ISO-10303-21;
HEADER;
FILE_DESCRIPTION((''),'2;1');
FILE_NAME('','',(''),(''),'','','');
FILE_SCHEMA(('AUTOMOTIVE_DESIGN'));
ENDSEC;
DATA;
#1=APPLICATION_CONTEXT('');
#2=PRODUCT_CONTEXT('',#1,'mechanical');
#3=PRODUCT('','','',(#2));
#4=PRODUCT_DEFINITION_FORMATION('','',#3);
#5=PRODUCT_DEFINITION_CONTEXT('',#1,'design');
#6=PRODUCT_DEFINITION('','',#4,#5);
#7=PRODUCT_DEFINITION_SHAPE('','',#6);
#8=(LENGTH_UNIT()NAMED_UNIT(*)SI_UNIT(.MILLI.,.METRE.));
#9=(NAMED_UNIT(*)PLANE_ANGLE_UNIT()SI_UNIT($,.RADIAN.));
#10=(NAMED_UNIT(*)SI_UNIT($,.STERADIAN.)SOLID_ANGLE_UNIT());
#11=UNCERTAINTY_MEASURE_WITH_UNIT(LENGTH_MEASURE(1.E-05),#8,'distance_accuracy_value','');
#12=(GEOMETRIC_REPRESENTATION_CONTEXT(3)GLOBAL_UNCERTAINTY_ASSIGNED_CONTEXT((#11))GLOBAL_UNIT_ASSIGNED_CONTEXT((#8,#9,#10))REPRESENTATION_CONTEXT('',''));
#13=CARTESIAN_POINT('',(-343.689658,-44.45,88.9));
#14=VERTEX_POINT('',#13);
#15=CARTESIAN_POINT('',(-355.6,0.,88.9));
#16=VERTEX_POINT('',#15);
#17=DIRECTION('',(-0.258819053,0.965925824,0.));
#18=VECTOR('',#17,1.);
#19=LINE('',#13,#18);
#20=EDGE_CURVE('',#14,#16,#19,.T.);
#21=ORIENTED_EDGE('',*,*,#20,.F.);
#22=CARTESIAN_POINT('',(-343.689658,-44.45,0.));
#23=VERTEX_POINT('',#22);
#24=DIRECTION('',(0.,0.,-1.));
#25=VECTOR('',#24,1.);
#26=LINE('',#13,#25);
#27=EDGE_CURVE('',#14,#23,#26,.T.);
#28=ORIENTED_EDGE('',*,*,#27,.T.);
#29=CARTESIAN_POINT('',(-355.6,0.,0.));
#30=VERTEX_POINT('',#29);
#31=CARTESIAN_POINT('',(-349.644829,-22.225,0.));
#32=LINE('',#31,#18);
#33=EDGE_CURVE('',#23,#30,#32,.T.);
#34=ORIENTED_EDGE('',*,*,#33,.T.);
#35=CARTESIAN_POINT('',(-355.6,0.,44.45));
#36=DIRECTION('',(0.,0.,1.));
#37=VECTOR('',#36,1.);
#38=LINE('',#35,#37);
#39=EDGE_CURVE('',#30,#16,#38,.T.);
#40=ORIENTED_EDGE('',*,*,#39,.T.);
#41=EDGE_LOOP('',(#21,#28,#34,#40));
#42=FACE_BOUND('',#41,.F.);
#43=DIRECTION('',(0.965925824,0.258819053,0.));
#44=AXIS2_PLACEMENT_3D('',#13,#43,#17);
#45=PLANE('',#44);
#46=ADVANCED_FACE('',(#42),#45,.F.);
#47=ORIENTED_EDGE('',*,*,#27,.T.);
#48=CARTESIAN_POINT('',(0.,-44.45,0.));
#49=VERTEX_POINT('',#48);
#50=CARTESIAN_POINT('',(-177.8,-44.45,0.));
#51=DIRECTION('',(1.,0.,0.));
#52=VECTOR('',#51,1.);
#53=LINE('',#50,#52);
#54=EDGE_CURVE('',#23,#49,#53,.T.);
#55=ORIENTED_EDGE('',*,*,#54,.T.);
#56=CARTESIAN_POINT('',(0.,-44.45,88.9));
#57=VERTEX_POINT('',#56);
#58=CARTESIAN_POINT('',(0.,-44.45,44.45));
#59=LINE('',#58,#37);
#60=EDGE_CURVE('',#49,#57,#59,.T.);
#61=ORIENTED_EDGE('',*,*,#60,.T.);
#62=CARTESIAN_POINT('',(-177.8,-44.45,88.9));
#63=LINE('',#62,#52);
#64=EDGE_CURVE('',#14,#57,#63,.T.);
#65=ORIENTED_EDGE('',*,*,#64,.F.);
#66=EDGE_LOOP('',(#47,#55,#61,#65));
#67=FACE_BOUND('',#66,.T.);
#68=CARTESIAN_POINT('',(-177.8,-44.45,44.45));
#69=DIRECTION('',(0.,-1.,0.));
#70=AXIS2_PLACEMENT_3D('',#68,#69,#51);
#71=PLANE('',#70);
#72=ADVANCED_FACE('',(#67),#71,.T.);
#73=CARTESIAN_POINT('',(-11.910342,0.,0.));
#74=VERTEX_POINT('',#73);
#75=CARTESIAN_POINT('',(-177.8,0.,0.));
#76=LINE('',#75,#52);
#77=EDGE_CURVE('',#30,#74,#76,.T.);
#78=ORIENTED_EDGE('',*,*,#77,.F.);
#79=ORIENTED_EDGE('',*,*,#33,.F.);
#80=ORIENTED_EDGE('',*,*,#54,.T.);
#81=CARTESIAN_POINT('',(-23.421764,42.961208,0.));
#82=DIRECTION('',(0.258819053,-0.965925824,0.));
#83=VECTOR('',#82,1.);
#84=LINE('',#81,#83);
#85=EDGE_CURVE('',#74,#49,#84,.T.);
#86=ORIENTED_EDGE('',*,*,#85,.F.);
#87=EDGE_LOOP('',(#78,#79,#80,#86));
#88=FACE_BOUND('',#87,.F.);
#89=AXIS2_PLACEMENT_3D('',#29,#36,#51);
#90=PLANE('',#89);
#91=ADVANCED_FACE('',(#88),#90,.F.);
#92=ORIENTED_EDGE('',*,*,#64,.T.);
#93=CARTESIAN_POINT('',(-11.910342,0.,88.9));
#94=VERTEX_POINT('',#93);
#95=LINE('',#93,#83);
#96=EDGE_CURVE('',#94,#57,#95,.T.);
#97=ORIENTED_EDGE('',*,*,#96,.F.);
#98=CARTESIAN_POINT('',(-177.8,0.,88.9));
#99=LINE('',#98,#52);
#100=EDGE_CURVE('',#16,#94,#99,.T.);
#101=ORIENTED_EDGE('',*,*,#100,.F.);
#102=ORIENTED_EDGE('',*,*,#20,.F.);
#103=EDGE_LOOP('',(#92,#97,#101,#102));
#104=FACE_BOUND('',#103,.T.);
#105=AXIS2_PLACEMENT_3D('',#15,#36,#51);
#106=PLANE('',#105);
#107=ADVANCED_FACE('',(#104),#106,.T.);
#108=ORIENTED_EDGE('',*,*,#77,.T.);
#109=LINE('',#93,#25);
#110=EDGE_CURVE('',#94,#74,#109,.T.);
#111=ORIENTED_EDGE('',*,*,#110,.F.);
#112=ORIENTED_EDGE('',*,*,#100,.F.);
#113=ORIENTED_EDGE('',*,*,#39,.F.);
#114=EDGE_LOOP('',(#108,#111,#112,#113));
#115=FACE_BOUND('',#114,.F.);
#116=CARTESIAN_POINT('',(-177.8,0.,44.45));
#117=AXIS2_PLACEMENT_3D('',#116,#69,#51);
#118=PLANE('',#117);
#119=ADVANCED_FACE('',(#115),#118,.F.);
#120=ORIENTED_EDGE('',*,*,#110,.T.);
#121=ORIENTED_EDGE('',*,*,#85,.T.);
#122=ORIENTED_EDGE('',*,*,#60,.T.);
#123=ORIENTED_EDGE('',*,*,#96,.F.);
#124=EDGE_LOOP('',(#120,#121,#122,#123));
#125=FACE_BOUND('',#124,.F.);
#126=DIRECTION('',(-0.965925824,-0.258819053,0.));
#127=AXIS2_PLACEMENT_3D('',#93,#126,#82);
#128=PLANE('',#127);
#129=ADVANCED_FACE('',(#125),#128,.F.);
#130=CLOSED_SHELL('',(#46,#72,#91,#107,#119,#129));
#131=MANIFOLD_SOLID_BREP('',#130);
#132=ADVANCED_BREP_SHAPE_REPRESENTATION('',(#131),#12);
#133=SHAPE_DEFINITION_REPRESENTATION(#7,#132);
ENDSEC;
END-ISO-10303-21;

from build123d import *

# Parameters (mm, degrees)
F0_W     = 355.6
F0_H     = 88.9
F1_DEPTH = 44.45
F3_DEPTH = 101.6


with BuildPart() as f1:
    # F0 (on Front) → F1 (new body)
    with BuildSketch(Plane.XZ):
        with Locations((-177.8, 44.45)):
            Rectangle(F0_W, F0_H)
    extrude(amount=F1_DEPTH)

    # F2 (on face) → F3 (cut)
    with BuildSketch(Plane.XY.offset(88.9)):
        Polygon((0, 0), (-11.910342, 0), (0, -44.45), align=None)
        Polygon((-343.689658, -44.45), (-355.6, 0), (-355.6, -44.45), align=None)
    extrude(amount=-F3_DEPTH, mode=Mode.SUBTRACT)


solid = f1.part
